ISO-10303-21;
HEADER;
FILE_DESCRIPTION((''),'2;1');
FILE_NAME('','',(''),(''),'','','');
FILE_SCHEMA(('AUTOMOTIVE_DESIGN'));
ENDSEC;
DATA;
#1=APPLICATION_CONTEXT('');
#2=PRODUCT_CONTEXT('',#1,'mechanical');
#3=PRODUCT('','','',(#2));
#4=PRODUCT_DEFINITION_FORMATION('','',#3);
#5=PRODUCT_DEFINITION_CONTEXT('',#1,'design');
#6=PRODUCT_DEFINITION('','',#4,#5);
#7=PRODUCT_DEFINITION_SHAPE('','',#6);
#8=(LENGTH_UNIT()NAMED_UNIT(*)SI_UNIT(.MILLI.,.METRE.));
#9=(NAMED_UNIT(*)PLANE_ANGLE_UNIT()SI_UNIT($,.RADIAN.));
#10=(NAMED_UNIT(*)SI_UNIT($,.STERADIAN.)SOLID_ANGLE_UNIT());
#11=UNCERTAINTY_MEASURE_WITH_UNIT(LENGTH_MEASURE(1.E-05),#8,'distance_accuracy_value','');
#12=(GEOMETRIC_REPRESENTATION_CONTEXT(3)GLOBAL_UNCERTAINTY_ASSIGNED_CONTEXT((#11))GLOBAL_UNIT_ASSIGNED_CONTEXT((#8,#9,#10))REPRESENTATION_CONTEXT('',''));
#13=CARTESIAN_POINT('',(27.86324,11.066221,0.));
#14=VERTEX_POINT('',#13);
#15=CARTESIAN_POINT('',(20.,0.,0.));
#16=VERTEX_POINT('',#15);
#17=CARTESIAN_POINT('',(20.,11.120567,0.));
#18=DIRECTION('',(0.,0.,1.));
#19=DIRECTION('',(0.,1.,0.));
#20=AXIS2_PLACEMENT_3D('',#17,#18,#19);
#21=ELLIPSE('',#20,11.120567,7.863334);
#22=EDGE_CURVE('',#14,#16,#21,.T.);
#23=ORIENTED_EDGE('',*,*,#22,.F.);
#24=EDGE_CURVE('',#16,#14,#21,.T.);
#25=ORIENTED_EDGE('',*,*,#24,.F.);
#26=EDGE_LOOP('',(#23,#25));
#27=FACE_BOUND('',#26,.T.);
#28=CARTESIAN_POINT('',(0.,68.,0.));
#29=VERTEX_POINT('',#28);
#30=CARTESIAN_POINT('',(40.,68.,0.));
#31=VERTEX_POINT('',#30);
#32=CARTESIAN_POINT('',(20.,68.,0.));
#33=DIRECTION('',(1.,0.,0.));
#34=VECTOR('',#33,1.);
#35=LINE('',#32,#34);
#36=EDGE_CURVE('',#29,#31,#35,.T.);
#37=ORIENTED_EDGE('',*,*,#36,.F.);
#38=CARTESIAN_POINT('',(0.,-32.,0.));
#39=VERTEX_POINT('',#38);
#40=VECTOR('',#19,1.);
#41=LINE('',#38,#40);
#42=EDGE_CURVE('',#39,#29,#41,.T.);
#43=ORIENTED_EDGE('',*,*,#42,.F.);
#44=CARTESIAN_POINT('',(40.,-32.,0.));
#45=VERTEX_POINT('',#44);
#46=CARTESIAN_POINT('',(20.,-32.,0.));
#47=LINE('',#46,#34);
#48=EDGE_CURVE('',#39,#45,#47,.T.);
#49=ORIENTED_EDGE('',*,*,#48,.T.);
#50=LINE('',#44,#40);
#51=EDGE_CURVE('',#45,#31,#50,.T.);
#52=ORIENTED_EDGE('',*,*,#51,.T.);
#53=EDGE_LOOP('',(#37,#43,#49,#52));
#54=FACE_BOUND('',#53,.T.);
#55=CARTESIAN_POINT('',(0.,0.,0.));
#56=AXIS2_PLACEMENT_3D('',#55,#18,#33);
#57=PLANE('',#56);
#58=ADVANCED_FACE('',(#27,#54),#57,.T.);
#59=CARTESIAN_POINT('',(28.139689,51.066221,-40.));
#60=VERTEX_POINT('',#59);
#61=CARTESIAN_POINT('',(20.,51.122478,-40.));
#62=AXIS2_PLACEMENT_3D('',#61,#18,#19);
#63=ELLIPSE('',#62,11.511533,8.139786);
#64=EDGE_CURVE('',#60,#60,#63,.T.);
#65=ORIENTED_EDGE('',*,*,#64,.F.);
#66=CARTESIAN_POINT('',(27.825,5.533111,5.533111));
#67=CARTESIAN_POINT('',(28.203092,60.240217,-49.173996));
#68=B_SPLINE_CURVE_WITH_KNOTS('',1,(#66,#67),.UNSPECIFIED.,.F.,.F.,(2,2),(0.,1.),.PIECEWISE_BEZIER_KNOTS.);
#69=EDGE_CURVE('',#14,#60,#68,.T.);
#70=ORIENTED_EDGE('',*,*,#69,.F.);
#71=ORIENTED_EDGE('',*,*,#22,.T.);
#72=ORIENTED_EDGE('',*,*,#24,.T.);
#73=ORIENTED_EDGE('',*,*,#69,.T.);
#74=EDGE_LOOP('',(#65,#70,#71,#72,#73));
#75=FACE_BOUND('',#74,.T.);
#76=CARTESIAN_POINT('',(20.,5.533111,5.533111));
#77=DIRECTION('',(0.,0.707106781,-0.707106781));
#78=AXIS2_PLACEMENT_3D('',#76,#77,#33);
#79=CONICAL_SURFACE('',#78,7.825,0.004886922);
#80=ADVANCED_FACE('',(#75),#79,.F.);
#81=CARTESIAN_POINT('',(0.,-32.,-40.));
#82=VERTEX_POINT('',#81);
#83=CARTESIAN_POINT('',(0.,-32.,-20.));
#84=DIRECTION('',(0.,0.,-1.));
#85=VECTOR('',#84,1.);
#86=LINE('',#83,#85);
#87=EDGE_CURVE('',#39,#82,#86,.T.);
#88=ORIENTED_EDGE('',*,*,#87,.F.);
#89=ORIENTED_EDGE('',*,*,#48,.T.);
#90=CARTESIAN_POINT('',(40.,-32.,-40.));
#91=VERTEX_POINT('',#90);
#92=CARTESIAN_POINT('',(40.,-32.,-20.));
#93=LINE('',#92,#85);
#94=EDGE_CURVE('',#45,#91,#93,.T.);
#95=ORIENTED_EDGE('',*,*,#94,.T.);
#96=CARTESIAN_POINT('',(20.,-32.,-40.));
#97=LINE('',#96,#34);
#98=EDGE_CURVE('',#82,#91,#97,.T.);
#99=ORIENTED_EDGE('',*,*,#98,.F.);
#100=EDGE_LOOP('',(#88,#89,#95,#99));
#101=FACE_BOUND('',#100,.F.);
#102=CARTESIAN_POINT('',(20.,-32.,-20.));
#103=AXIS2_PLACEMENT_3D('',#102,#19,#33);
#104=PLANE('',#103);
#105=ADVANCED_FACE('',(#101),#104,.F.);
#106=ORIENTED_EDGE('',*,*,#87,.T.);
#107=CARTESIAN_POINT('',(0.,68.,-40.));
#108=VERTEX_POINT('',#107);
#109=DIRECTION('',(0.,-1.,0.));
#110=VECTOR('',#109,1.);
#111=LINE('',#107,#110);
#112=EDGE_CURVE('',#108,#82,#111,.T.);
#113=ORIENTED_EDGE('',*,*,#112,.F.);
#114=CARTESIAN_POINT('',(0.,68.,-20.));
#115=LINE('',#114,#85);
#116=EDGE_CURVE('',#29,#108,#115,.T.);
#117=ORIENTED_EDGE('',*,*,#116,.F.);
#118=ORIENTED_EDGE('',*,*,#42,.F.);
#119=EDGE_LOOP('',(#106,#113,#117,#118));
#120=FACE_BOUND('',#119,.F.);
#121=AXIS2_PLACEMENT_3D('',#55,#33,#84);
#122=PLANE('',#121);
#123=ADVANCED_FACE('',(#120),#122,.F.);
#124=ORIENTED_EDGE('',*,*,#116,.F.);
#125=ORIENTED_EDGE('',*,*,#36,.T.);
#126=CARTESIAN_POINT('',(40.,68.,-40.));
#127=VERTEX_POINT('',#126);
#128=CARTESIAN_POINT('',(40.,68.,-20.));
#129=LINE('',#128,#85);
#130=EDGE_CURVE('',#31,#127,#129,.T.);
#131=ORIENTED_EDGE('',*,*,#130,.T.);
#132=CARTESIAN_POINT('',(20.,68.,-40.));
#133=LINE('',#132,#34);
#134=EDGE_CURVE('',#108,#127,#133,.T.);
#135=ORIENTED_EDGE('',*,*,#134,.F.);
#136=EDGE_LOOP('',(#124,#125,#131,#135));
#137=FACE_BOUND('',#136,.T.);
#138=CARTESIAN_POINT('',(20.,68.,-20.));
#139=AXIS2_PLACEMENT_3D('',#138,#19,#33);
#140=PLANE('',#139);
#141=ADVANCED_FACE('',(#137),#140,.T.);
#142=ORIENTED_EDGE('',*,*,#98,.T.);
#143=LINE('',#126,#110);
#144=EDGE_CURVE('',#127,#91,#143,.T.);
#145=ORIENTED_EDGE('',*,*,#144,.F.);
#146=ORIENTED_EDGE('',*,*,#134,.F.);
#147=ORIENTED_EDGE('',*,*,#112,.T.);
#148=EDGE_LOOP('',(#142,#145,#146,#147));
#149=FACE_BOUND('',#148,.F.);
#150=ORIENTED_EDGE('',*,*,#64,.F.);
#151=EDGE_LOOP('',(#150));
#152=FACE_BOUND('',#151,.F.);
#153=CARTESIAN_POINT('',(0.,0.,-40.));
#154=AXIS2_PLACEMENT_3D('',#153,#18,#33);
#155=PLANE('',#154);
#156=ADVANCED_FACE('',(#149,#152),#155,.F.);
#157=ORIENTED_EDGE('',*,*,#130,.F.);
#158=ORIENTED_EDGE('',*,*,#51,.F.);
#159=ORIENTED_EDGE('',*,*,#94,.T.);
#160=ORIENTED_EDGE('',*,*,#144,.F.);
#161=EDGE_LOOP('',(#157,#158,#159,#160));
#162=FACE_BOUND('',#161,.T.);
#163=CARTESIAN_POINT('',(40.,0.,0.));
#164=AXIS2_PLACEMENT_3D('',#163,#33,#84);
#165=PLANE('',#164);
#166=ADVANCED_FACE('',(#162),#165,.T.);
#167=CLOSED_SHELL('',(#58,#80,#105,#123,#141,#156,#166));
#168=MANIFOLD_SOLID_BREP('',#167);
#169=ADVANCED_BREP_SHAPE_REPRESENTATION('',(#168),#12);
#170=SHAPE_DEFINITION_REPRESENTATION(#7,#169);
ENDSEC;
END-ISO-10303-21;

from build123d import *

# Parameters (mm, degrees)
SKETCH1_W                = 40
SKETCH1_H                = 40
BOSS_EXTRUDE1_DEPTH      = 68
BOSS_EXTRUDE1_DEPTH_BACK = 32
SKETCH4_R                = 7.825
CUT_EXTRUDE2_DEPTH       = 77.367532368
CUT_EXTRUDE2_TAPER       = -0.28


with BuildPart() as part:
    # Sketch1 → Boss-Extrude1 (new body, two sides)
    with BuildSketch(Plane(origin=(0, 0, 0), x_dir=(1, 0, 0), z_dir=(0, 1, 0))) as boss_extrude1_sk:
        with Locations((20, 20)):
            Rectangle(SKETCH1_W, SKETCH1_H)
    extrude(amount=BOSS_EXTRUDE1_DEPTH)
    extrude(boss_extrude1_sk.sketch, amount=-BOSS_EXTRUDE1_DEPTH_BACK)

    # Sketch4 → Cut-Extrude2 (cut, through all)
    with BuildSketch(Plane(origin=(0, 0, 0), x_dir=(1, 0, 0), z_dir=(0, -0.707106781, 0.707106781))):
        with Locations((20, 7.825)):
            Circle(SKETCH4_R)
    extrude(amount=-CUT_EXTRUDE2_DEPTH, taper=CUT_EXTRUDE2_TAPER, mode=Mode.SUBTRACT)


solid = part.part
